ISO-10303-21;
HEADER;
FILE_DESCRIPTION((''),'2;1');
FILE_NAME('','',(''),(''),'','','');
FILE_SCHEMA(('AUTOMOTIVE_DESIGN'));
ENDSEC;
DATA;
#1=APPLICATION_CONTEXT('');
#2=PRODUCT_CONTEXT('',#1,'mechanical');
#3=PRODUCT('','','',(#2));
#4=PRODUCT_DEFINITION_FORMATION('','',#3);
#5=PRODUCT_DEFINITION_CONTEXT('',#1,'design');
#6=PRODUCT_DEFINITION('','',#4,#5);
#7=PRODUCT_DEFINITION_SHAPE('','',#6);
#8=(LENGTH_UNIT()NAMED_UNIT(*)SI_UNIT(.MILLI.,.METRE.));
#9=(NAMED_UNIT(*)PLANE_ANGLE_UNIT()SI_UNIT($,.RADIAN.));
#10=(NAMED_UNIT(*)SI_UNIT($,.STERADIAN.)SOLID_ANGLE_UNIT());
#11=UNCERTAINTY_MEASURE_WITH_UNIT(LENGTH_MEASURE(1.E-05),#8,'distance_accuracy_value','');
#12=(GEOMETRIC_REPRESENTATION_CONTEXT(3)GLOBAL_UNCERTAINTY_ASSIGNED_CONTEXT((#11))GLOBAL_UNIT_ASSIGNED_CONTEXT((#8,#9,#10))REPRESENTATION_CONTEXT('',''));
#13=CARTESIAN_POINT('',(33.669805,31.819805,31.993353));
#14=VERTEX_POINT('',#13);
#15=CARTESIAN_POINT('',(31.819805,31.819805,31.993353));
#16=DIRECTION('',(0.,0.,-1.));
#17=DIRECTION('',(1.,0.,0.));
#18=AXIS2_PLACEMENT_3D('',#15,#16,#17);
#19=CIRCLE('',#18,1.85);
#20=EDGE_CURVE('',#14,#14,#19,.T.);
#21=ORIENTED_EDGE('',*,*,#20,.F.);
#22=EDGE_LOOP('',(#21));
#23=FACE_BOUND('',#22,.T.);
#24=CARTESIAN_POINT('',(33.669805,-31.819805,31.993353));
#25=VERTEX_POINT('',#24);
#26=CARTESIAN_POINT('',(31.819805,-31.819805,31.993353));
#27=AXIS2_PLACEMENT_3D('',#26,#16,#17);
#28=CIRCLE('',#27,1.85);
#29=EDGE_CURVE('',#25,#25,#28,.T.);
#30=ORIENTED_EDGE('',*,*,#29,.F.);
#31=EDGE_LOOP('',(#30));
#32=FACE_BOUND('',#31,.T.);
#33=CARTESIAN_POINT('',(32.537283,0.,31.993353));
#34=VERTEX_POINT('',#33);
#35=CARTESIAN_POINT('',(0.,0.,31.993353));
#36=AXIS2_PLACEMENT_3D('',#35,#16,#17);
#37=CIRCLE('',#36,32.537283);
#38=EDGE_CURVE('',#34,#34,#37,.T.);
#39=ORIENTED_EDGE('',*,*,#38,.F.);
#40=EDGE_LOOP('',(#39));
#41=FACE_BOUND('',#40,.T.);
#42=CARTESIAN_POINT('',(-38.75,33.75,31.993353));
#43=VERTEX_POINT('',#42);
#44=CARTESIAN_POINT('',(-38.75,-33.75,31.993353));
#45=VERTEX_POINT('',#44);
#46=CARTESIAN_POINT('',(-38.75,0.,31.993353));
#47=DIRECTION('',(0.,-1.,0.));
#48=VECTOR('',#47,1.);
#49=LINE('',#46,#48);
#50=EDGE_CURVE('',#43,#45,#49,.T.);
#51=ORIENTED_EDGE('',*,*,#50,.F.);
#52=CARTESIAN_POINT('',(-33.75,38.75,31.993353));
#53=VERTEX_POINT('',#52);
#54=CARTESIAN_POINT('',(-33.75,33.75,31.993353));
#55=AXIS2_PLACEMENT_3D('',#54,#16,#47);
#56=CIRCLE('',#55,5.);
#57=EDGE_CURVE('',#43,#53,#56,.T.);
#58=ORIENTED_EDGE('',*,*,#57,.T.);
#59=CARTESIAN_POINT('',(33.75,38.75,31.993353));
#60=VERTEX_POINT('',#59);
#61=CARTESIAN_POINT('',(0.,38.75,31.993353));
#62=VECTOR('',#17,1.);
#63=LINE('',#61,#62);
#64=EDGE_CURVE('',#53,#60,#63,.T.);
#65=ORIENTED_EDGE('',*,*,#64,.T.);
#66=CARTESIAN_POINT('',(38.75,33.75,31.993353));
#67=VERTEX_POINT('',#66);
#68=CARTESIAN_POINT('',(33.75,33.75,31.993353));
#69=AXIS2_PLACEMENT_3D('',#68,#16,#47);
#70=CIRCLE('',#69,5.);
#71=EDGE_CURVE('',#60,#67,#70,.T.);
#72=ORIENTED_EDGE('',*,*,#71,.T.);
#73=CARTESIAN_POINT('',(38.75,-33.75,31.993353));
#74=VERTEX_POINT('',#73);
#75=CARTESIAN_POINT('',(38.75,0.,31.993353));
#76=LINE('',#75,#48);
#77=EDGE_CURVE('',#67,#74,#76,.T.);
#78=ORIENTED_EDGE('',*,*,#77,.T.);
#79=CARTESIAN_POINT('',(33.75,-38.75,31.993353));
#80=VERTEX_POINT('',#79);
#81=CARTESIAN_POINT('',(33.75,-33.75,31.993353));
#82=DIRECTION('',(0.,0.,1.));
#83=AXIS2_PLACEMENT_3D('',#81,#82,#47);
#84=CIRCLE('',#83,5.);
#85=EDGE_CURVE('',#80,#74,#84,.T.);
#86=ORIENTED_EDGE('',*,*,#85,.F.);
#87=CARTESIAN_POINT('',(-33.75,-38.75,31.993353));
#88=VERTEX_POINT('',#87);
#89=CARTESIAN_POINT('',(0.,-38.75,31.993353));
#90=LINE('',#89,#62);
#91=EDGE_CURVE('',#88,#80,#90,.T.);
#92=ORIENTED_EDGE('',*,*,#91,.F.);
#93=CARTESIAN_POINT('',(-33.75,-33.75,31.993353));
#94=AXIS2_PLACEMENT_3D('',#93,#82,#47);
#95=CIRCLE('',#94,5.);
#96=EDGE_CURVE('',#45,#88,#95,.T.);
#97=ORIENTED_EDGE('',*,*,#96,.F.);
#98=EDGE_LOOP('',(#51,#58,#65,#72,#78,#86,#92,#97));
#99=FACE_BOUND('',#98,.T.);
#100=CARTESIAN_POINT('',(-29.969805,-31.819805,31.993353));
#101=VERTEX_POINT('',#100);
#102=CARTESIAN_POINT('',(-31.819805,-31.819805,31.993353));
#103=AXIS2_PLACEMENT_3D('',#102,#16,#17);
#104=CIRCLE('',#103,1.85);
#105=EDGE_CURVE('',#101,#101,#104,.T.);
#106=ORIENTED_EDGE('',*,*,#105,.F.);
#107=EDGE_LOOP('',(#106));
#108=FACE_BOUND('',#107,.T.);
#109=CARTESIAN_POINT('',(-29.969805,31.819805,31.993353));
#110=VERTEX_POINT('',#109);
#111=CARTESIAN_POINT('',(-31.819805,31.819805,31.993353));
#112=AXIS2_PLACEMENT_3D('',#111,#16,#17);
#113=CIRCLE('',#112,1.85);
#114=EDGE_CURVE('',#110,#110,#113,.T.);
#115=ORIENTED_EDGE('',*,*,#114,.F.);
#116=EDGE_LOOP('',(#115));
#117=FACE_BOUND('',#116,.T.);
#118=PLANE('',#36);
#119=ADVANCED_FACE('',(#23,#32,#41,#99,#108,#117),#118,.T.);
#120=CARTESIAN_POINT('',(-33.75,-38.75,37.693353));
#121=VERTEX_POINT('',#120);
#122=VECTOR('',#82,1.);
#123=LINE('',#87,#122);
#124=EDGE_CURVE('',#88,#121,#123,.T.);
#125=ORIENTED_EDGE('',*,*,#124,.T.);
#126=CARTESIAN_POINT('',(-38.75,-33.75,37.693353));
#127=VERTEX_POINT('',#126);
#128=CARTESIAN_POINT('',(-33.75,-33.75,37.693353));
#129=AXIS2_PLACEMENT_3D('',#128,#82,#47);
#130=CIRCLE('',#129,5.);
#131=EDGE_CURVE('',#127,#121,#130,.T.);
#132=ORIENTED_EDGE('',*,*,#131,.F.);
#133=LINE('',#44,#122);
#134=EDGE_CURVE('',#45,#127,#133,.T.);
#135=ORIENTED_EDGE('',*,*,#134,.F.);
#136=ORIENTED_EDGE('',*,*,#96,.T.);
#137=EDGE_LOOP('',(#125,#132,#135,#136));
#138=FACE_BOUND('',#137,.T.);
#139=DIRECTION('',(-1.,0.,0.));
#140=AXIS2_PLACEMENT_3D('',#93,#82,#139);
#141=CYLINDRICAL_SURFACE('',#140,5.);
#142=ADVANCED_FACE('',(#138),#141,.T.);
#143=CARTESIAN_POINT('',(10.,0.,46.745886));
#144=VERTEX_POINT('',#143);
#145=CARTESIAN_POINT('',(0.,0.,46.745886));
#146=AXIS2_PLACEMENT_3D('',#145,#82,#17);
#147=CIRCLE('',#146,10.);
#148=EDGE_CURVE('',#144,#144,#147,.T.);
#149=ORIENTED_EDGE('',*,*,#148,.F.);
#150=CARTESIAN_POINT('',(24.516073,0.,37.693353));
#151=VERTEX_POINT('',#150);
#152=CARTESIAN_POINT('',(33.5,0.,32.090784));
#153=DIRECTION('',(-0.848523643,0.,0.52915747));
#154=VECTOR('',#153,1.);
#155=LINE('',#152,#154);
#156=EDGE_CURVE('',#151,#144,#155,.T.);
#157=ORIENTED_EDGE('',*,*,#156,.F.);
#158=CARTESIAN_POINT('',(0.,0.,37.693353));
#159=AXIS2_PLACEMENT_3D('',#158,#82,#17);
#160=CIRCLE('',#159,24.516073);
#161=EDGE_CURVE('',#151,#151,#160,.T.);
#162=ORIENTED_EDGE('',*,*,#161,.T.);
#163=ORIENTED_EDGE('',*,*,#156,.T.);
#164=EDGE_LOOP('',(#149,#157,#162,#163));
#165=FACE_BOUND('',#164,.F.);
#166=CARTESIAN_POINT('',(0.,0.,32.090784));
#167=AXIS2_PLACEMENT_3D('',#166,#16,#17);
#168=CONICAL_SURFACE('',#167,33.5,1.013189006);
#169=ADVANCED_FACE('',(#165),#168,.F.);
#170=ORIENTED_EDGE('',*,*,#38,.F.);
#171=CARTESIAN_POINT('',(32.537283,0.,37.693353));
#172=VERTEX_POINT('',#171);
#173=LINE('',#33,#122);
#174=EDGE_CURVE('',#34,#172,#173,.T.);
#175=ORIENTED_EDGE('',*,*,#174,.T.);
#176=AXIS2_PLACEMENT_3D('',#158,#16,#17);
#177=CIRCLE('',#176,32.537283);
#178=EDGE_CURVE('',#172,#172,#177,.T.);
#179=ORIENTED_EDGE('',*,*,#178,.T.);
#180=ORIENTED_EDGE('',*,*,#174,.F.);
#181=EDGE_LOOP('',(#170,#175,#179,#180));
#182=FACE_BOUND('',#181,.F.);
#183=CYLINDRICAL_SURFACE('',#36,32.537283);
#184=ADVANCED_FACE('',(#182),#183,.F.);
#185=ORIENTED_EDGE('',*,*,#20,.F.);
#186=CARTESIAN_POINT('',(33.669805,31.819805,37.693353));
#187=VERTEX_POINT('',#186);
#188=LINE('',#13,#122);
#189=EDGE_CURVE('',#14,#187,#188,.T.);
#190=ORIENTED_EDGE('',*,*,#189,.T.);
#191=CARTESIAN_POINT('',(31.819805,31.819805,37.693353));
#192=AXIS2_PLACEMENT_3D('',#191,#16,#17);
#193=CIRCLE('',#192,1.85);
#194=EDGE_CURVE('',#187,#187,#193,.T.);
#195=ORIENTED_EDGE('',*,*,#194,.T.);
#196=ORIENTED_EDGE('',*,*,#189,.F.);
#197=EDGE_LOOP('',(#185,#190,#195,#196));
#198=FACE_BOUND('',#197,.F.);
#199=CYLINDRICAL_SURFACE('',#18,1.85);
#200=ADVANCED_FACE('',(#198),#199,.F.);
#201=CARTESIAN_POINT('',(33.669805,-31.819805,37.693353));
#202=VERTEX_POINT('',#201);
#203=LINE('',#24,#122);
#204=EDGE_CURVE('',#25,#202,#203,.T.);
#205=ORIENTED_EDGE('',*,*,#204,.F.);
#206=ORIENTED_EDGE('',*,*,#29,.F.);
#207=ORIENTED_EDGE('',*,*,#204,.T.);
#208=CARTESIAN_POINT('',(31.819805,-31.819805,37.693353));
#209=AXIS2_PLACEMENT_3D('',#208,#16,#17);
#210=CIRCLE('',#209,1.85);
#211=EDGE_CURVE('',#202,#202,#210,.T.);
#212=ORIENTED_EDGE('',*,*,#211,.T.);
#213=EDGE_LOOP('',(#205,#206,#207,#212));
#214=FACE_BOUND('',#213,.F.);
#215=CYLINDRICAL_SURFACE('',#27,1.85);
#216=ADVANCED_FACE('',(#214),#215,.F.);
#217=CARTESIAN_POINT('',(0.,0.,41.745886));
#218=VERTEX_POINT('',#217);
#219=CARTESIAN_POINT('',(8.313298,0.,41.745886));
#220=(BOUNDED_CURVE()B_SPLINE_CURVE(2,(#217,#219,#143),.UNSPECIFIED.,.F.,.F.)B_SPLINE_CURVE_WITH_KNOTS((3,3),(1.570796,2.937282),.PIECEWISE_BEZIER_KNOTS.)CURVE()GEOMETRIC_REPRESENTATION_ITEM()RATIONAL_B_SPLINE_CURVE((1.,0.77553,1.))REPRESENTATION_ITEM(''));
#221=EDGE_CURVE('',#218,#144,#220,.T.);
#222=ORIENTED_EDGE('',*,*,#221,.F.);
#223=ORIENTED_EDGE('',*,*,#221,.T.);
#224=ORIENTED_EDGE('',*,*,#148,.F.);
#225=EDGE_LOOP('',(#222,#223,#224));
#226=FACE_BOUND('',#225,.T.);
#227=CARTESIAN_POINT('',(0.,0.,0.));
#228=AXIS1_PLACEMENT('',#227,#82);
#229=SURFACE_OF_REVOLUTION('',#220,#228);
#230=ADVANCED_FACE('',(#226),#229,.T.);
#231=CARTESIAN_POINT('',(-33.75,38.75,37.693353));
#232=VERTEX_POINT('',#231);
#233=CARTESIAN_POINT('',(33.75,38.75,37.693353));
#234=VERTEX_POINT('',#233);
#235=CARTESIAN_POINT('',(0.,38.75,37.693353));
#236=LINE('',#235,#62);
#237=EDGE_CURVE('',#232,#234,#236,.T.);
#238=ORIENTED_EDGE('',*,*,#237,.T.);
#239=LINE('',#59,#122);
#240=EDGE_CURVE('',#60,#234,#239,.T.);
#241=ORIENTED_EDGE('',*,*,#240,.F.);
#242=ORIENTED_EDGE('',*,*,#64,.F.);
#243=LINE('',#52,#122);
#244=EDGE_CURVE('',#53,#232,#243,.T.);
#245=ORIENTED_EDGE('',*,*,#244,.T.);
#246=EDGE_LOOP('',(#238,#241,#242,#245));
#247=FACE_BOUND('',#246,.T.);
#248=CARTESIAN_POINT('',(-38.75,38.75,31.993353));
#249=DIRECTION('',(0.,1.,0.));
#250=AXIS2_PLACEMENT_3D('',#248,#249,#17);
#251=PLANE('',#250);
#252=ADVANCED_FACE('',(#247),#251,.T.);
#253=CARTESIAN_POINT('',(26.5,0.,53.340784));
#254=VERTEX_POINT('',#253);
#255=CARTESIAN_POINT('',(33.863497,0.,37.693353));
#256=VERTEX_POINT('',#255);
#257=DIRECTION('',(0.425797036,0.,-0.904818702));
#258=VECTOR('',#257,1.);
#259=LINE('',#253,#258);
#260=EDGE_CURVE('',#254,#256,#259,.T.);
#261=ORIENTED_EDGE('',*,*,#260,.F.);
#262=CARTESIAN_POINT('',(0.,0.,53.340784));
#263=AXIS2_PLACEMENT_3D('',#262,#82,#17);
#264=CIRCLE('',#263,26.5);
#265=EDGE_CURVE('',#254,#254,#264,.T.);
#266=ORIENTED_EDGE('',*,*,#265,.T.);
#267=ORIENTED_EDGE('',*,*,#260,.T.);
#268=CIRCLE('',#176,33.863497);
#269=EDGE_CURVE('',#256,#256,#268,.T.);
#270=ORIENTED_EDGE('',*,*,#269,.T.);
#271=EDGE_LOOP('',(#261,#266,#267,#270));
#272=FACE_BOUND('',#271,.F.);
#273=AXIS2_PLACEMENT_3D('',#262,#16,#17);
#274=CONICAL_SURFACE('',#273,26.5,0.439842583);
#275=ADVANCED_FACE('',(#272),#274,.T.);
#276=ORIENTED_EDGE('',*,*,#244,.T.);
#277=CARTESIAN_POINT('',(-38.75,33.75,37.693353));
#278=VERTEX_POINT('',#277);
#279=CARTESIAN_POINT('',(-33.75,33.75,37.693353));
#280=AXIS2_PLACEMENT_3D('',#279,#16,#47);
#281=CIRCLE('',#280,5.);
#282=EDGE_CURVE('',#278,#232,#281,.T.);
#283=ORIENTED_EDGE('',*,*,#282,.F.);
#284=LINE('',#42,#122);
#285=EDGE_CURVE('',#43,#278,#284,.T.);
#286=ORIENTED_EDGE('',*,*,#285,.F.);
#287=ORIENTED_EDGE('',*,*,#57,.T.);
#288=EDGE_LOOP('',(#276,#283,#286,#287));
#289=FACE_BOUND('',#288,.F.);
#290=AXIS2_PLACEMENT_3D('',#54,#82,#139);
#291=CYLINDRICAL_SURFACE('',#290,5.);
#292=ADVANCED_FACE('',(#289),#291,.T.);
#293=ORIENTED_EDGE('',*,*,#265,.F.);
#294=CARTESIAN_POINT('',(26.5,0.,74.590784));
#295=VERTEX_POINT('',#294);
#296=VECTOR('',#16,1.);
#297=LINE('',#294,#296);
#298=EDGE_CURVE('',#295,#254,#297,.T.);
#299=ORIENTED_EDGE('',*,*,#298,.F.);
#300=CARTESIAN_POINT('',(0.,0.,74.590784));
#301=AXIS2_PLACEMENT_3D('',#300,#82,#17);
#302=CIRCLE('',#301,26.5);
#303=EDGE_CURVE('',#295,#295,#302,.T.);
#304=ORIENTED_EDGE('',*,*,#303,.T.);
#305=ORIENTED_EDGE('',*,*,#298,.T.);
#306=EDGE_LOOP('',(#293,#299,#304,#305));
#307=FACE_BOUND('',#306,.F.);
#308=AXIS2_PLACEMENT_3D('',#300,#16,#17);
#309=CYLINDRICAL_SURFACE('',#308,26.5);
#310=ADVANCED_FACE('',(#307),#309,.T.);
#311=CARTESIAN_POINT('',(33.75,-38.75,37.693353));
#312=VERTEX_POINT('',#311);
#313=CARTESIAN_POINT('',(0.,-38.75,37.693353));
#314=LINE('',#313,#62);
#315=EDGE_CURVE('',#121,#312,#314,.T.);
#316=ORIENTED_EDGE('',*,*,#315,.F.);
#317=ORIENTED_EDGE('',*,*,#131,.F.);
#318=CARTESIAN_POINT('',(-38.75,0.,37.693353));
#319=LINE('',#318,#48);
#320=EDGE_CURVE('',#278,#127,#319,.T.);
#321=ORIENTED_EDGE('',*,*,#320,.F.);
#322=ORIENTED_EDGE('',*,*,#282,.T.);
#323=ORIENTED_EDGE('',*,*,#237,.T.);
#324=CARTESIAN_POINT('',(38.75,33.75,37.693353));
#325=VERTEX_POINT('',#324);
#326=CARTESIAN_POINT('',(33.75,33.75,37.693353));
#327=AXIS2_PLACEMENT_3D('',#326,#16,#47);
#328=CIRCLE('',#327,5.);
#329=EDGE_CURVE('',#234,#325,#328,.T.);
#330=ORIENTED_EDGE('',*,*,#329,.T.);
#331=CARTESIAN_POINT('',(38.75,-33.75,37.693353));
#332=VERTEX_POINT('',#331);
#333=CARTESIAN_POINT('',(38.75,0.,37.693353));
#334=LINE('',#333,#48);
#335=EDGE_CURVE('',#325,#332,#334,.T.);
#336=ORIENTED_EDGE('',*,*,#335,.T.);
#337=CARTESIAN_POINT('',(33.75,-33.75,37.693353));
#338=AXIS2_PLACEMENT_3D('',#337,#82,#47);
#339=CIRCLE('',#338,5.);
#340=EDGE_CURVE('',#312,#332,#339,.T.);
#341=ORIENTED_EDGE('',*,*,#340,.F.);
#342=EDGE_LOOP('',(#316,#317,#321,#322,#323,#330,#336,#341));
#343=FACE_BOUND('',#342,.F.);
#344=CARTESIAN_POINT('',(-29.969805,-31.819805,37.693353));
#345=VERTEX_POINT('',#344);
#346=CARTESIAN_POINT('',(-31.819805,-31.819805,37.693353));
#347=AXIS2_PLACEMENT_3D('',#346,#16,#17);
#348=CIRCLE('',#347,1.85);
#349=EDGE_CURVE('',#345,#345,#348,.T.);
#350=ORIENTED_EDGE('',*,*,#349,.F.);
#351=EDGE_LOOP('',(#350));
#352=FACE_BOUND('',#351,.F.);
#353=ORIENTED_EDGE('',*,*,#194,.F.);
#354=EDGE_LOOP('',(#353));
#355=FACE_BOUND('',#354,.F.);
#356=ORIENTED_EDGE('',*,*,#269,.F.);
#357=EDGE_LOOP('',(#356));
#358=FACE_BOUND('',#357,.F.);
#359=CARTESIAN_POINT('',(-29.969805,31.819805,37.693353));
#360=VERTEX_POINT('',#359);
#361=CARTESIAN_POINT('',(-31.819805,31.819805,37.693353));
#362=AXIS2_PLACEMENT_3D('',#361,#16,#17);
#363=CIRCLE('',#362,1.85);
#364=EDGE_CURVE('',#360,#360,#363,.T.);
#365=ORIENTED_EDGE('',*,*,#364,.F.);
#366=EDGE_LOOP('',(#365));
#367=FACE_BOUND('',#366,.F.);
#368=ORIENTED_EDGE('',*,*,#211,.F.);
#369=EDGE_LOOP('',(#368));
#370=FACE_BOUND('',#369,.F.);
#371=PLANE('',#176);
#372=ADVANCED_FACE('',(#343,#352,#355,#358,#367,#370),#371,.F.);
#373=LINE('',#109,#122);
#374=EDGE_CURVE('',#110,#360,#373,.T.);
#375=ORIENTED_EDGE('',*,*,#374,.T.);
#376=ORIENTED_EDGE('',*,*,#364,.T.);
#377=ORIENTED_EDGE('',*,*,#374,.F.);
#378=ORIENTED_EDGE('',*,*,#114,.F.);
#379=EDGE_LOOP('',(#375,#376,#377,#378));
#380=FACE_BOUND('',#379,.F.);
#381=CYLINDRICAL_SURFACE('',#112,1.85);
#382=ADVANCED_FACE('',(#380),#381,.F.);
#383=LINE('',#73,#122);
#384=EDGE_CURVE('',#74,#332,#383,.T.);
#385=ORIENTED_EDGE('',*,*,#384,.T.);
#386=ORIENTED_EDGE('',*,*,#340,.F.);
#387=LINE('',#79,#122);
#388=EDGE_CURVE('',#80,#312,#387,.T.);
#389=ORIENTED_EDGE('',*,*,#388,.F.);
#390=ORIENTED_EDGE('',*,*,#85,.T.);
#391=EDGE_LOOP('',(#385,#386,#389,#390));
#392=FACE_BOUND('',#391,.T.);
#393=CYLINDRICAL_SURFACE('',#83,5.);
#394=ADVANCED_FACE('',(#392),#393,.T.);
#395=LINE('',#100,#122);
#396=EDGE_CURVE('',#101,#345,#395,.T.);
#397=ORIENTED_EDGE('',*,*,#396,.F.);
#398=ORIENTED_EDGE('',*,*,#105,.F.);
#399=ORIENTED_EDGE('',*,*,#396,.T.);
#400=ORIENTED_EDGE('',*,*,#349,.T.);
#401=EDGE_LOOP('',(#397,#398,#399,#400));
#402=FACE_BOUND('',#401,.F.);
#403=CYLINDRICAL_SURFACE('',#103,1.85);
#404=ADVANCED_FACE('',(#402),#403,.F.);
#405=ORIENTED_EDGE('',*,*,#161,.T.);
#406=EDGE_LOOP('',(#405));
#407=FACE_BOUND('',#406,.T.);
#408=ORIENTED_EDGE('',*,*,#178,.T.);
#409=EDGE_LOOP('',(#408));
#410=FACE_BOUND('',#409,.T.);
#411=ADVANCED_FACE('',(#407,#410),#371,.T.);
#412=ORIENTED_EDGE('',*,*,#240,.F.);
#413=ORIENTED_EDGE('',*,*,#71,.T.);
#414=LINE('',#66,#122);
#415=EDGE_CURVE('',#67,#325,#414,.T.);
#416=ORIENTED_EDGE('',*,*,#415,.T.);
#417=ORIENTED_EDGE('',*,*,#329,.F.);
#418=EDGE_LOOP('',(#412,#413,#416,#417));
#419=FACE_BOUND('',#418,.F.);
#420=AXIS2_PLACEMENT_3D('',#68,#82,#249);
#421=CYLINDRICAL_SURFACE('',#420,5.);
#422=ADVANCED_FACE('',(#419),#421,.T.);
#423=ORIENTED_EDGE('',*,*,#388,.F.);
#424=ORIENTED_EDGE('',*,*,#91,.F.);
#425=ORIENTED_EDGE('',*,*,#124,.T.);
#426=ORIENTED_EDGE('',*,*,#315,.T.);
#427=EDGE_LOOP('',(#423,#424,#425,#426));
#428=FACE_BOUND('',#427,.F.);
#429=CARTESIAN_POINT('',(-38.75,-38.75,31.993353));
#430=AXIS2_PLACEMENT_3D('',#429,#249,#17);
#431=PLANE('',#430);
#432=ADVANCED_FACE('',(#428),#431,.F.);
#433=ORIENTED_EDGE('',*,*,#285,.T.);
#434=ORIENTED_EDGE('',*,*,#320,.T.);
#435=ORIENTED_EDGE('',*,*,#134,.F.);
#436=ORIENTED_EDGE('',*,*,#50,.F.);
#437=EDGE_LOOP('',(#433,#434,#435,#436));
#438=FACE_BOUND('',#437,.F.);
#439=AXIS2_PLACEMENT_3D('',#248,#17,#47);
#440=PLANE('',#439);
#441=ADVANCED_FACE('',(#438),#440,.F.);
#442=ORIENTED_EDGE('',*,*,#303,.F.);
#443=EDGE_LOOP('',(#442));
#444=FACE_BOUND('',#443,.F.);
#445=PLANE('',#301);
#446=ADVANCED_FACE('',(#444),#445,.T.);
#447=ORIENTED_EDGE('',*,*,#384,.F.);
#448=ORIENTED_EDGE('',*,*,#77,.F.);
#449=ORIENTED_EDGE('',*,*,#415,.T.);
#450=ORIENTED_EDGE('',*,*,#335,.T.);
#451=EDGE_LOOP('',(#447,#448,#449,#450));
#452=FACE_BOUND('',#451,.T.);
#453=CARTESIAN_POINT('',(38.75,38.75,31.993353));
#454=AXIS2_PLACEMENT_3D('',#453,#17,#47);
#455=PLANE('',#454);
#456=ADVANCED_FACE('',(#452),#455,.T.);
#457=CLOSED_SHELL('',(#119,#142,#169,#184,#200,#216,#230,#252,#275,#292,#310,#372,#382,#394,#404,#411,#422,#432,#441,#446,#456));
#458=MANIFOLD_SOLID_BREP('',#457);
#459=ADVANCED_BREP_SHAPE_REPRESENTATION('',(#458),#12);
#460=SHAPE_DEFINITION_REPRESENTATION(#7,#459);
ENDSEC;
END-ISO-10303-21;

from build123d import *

# Parameters (mm, degrees)
SKETCH002_W  = 77.5
SKETCH002_H  = 77.5
SKETCH002_R  = 1.85
PAD_DEPTH    = 5.7
FILLET_R     = 5
SKETCH_R     = 32.537283
POCKET_DEPTH = 5.7


with BuildPart() as part:
    # Sketch001 → Revolution (revolve)
    with BuildSketch(Plane.XZ):
        with BuildLine():
            Line((0, 41.745886), (0, 74.590784))
            Line((0, 74.590784), (26.5, 74.590784))
            Line((26.5, 74.590784), (26.5, 53.340784))
            Line((26.5, 53.340784), (36.5, 32.090784))
            Line((36.5, 32.090784), (33.5, 32.090784))
            Line((33.5, 32.090784), (10, 46.745886))
            add(Edge.make_bspline(
                [(0, 41.745886), (8.313298, 41.745886), (10, 46.745886)],
                knots=[1.570796, 1.570796, 1.570796, 2.937282, 2.937282, 2.937282], degree=2, weights=[1, 0.77553, 1]))
        make_face()
    revolve(axis=Axis((0, 0, 0), (0, 0, 1)))

    # Sketch002 → Pad (new body)
    with BuildSketch(Plane(origin=(0, 0, 31.993353), x_dir=(1, 0, 0), z_dir=(0, 0, -1))):
        Rectangle(SKETCH002_W, SKETCH002_H)
        with Locations((-31.819805, 31.819805)):
            Circle(SKETCH002_R, mode=Mode.SUBTRACT)
        with Locations((31.819805, 31.819805)):
            Circle(SKETCH002_R, mode=Mode.SUBTRACT)
        with Locations((-31.819805, -31.819805)):
            Circle(SKETCH002_R, mode=Mode.SUBTRACT)
        with Locations((31.819805, -31.819805)):
            Circle(SKETCH002_R, mode=Mode.SUBTRACT)
    extrude(amount=-PAD_DEPTH)

    # Fillet
    fillet_edges = [part.edges().sort_by_distance(p)[0] for p in [
        (38.75, -38.75, 34.843353),
        (-38.75, -38.75, 34.843353),
        (-38.75, 38.75, 34.843353),
        (38.75, 38.75, 34.843353),
    ]]
    fillet(fillet_edges, radius=FILLET_R)

    # Sketch → Pocket (cut)
    with BuildSketch(Plane(origin=(0, 0, 31.993353), x_dir=(1, 0, 0), z_dir=(0, 0, -1))):
        Circle(SKETCH_R)
    extrude(amount=-POCKET_DEPTH, mode=Mode.SUBTRACT)


solid = part.part
